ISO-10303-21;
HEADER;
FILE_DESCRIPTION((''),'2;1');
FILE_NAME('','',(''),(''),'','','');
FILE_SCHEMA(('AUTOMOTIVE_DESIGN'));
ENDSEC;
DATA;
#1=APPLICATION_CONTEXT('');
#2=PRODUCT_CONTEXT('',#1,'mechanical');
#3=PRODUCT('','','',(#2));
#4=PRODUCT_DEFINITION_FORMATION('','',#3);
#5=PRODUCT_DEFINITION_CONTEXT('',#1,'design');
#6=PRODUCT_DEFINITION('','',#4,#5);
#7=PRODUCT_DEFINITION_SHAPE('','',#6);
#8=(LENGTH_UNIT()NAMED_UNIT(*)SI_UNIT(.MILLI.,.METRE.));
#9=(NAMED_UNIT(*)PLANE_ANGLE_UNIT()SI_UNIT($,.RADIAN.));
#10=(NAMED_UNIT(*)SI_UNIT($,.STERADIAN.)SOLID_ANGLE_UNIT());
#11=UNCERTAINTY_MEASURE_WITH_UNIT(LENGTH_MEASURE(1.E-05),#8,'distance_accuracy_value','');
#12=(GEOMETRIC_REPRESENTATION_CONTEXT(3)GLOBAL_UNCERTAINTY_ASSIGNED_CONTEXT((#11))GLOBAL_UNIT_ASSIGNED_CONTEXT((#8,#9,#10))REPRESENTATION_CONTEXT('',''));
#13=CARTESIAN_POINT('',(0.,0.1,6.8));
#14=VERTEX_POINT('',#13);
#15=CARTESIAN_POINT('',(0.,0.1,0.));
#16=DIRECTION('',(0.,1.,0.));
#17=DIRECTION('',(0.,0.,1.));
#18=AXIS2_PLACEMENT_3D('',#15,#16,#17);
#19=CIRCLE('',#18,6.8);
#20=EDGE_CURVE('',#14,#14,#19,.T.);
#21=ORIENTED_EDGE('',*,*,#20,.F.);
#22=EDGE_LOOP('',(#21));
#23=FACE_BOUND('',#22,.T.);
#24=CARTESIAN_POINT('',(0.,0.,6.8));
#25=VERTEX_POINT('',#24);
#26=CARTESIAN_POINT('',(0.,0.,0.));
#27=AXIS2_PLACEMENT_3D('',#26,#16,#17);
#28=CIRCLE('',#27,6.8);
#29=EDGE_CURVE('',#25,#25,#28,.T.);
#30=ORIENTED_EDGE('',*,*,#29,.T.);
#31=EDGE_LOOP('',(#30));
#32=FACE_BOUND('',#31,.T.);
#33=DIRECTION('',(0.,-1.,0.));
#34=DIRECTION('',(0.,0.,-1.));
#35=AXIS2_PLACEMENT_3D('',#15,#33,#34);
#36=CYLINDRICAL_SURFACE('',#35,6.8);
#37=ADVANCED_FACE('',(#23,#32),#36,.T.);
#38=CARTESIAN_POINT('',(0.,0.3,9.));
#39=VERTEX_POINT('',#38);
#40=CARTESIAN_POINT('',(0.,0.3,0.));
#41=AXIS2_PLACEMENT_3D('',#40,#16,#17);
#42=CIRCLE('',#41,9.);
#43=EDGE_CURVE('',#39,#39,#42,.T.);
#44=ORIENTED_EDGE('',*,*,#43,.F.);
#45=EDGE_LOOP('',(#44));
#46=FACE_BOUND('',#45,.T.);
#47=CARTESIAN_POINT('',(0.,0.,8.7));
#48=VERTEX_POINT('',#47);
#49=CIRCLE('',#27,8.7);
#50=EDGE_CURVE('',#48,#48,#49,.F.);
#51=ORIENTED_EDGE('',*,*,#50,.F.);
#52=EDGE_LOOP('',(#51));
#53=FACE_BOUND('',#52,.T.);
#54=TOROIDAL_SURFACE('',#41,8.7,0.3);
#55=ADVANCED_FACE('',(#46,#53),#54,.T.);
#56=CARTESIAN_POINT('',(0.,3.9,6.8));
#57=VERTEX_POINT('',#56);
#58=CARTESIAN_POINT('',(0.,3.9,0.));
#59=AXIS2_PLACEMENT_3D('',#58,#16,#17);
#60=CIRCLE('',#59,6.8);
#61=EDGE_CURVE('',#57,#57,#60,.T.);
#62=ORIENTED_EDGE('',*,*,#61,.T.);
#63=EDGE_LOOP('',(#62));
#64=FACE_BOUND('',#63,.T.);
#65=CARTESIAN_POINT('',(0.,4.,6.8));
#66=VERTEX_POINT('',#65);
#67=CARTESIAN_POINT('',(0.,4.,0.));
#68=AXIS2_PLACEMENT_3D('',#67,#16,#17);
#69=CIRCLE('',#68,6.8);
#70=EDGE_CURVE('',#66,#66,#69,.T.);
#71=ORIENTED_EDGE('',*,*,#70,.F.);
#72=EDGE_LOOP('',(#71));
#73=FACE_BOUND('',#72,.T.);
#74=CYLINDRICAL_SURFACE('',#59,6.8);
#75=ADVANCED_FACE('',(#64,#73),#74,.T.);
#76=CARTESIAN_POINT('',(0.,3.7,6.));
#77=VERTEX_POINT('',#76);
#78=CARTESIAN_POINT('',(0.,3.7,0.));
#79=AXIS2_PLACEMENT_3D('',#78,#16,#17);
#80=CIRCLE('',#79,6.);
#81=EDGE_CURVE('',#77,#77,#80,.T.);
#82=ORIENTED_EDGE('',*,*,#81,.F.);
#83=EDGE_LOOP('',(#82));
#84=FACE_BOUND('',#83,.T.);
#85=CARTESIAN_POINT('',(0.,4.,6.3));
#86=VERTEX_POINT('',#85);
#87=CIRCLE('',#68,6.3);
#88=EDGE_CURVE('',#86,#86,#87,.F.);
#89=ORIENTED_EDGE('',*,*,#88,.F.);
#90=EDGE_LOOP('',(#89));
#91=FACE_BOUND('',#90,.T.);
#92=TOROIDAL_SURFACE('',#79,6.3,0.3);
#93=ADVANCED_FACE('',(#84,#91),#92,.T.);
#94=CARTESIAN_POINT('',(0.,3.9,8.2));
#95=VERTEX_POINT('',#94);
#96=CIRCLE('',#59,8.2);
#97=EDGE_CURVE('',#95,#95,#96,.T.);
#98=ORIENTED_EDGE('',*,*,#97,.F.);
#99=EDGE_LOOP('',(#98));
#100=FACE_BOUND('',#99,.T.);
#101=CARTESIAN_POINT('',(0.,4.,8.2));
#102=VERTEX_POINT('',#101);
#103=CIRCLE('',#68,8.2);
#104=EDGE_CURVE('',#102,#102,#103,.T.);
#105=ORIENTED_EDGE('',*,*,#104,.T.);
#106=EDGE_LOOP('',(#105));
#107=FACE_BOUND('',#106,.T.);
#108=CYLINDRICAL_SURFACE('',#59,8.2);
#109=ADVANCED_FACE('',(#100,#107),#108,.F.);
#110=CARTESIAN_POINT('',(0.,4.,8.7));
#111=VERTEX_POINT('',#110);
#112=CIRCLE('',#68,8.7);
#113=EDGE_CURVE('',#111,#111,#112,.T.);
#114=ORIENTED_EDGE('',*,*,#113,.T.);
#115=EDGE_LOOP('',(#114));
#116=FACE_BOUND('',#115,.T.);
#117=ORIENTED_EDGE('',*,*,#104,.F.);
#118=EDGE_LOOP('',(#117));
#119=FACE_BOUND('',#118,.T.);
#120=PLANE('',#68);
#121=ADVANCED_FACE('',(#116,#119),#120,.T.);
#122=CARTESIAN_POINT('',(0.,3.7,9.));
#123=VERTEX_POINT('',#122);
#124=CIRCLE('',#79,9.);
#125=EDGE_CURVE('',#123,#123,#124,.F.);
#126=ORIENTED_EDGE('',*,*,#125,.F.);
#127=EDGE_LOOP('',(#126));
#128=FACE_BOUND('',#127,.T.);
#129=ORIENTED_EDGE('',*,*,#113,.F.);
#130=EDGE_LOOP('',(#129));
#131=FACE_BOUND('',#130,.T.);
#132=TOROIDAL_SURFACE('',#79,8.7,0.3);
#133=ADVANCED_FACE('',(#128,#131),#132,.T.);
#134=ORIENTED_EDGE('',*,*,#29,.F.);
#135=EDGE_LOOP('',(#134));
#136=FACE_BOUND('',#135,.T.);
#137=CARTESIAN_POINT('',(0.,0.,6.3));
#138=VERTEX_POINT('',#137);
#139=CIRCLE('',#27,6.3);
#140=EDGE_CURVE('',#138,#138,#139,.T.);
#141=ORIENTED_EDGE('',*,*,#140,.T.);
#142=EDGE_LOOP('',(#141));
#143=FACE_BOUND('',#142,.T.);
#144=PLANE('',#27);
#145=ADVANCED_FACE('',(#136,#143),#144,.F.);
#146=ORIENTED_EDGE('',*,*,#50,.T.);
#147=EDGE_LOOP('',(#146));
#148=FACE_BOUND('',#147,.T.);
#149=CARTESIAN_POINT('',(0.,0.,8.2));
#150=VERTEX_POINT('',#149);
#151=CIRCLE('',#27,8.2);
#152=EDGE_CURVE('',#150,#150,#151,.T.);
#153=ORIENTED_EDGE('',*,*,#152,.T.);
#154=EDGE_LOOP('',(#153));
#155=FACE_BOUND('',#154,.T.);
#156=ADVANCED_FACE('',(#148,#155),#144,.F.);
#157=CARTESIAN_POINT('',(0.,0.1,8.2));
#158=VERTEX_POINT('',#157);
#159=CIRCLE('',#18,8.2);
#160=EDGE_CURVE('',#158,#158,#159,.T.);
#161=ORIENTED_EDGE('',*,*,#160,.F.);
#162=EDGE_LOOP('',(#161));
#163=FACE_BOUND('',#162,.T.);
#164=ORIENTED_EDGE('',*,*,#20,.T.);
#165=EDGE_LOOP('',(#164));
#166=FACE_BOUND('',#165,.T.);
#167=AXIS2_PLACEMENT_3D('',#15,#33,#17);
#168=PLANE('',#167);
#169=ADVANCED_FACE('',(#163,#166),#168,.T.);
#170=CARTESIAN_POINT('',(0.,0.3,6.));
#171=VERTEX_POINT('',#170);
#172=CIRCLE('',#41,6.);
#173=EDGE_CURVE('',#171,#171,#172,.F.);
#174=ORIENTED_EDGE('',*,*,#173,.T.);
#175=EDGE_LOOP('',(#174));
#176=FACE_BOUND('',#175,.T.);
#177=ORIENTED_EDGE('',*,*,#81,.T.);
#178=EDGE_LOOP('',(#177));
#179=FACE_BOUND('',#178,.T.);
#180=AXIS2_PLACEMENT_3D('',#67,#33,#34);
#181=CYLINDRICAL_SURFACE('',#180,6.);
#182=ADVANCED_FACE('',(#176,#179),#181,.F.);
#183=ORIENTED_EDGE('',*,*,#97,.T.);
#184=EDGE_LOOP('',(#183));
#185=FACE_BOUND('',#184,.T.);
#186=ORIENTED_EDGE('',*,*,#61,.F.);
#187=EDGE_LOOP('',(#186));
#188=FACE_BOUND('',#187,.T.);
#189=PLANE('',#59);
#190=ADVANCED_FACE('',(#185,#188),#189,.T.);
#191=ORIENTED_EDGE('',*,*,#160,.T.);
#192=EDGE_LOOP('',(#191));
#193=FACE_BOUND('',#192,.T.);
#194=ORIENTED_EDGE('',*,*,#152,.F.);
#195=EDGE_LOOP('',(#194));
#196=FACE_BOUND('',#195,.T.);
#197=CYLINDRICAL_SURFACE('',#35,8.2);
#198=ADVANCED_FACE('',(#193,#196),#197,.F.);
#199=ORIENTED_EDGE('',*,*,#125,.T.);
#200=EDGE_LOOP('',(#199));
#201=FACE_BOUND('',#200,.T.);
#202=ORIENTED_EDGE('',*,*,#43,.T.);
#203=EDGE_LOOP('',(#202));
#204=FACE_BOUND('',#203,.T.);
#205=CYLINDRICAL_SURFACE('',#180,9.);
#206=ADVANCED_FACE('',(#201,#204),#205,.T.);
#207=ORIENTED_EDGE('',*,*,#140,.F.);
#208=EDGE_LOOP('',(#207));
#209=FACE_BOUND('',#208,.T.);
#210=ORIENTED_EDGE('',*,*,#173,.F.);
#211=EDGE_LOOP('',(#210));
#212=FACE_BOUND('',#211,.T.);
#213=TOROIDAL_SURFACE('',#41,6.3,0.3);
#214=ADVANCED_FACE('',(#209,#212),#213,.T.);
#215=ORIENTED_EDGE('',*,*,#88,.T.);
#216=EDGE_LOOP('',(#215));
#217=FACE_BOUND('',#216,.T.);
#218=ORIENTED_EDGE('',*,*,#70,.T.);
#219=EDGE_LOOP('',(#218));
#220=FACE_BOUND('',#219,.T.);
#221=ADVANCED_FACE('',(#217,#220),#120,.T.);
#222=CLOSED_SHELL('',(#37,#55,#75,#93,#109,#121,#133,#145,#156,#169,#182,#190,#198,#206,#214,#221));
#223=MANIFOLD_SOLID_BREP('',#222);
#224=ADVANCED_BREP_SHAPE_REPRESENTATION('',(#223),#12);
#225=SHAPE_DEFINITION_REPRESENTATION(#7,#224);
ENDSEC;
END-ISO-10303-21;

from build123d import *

# Parameters (mm, degrees)
CROQUIS1_R              = 9
CROQUIS1_R_2            = 6
SALIENTE_EXTRUIR1_DEPTH = 4
CROQUIS2_R              = 8.2
CROQUIS2_R_2            = 6.8
CORTAR_EXTRUIR1_DEPTH   = 0.1
REDONDEO1_R             = 0.3


with BuildPart() as part:
    # Croquis1 → Saliente-Extruir1 (new body)
    with BuildSketch(Plane(origin=(0, 0, 0), x_dir=(1, 0, 0), z_dir=(0, 1, 0))):
        with Locations(Location((0, 0, 0), (0, 0, 270))):
            Circle(CROQUIS1_R)
        with Locations(Location((0, 0, 0), (0, 0, 270))):
            Circle(CROQUIS1_R_2, mode=Mode.SUBTRACT)
    extrude(amount=SALIENTE_EXTRUIR1_DEPTH)

    # Croquis2 → Cortar-Extruir1 (cut)
    with BuildSketch(Plane(origin=(0, 4, 0), x_dir=(1, 0, 0), z_dir=(0, 1, 0))):
        with Locations(Location((0, 0, 0), (0, 0, 270))):
            Circle(CROQUIS2_R)
        with Locations(Location((0, 0, 0), (0, 0, 270))):
            Circle(CROQUIS2_R_2, mode=Mode.SUBTRACT)
    cortar_extruir1 = extrude(amount=-CORTAR_EXTRUIR1_DEPTH, mode=Mode.SUBTRACT)

    # Simetría1: Cortar-Extruir1 across plane
    add(cortar_extruir1.mirror(Plane.ZX.offset(2)), mode=Mode.SUBTRACT)

    # Redondeo1
    redondeo1_edges = [part.edges().sort_by_distance(p)[0] for p in [
        (0, 0, -9),
        (0, 4, -9),
        (0, 0, -6),
        (0, 4, -6),
    ]]
    fillet(redondeo1_edges, radius=REDONDEO1_R)


solid = part.part
